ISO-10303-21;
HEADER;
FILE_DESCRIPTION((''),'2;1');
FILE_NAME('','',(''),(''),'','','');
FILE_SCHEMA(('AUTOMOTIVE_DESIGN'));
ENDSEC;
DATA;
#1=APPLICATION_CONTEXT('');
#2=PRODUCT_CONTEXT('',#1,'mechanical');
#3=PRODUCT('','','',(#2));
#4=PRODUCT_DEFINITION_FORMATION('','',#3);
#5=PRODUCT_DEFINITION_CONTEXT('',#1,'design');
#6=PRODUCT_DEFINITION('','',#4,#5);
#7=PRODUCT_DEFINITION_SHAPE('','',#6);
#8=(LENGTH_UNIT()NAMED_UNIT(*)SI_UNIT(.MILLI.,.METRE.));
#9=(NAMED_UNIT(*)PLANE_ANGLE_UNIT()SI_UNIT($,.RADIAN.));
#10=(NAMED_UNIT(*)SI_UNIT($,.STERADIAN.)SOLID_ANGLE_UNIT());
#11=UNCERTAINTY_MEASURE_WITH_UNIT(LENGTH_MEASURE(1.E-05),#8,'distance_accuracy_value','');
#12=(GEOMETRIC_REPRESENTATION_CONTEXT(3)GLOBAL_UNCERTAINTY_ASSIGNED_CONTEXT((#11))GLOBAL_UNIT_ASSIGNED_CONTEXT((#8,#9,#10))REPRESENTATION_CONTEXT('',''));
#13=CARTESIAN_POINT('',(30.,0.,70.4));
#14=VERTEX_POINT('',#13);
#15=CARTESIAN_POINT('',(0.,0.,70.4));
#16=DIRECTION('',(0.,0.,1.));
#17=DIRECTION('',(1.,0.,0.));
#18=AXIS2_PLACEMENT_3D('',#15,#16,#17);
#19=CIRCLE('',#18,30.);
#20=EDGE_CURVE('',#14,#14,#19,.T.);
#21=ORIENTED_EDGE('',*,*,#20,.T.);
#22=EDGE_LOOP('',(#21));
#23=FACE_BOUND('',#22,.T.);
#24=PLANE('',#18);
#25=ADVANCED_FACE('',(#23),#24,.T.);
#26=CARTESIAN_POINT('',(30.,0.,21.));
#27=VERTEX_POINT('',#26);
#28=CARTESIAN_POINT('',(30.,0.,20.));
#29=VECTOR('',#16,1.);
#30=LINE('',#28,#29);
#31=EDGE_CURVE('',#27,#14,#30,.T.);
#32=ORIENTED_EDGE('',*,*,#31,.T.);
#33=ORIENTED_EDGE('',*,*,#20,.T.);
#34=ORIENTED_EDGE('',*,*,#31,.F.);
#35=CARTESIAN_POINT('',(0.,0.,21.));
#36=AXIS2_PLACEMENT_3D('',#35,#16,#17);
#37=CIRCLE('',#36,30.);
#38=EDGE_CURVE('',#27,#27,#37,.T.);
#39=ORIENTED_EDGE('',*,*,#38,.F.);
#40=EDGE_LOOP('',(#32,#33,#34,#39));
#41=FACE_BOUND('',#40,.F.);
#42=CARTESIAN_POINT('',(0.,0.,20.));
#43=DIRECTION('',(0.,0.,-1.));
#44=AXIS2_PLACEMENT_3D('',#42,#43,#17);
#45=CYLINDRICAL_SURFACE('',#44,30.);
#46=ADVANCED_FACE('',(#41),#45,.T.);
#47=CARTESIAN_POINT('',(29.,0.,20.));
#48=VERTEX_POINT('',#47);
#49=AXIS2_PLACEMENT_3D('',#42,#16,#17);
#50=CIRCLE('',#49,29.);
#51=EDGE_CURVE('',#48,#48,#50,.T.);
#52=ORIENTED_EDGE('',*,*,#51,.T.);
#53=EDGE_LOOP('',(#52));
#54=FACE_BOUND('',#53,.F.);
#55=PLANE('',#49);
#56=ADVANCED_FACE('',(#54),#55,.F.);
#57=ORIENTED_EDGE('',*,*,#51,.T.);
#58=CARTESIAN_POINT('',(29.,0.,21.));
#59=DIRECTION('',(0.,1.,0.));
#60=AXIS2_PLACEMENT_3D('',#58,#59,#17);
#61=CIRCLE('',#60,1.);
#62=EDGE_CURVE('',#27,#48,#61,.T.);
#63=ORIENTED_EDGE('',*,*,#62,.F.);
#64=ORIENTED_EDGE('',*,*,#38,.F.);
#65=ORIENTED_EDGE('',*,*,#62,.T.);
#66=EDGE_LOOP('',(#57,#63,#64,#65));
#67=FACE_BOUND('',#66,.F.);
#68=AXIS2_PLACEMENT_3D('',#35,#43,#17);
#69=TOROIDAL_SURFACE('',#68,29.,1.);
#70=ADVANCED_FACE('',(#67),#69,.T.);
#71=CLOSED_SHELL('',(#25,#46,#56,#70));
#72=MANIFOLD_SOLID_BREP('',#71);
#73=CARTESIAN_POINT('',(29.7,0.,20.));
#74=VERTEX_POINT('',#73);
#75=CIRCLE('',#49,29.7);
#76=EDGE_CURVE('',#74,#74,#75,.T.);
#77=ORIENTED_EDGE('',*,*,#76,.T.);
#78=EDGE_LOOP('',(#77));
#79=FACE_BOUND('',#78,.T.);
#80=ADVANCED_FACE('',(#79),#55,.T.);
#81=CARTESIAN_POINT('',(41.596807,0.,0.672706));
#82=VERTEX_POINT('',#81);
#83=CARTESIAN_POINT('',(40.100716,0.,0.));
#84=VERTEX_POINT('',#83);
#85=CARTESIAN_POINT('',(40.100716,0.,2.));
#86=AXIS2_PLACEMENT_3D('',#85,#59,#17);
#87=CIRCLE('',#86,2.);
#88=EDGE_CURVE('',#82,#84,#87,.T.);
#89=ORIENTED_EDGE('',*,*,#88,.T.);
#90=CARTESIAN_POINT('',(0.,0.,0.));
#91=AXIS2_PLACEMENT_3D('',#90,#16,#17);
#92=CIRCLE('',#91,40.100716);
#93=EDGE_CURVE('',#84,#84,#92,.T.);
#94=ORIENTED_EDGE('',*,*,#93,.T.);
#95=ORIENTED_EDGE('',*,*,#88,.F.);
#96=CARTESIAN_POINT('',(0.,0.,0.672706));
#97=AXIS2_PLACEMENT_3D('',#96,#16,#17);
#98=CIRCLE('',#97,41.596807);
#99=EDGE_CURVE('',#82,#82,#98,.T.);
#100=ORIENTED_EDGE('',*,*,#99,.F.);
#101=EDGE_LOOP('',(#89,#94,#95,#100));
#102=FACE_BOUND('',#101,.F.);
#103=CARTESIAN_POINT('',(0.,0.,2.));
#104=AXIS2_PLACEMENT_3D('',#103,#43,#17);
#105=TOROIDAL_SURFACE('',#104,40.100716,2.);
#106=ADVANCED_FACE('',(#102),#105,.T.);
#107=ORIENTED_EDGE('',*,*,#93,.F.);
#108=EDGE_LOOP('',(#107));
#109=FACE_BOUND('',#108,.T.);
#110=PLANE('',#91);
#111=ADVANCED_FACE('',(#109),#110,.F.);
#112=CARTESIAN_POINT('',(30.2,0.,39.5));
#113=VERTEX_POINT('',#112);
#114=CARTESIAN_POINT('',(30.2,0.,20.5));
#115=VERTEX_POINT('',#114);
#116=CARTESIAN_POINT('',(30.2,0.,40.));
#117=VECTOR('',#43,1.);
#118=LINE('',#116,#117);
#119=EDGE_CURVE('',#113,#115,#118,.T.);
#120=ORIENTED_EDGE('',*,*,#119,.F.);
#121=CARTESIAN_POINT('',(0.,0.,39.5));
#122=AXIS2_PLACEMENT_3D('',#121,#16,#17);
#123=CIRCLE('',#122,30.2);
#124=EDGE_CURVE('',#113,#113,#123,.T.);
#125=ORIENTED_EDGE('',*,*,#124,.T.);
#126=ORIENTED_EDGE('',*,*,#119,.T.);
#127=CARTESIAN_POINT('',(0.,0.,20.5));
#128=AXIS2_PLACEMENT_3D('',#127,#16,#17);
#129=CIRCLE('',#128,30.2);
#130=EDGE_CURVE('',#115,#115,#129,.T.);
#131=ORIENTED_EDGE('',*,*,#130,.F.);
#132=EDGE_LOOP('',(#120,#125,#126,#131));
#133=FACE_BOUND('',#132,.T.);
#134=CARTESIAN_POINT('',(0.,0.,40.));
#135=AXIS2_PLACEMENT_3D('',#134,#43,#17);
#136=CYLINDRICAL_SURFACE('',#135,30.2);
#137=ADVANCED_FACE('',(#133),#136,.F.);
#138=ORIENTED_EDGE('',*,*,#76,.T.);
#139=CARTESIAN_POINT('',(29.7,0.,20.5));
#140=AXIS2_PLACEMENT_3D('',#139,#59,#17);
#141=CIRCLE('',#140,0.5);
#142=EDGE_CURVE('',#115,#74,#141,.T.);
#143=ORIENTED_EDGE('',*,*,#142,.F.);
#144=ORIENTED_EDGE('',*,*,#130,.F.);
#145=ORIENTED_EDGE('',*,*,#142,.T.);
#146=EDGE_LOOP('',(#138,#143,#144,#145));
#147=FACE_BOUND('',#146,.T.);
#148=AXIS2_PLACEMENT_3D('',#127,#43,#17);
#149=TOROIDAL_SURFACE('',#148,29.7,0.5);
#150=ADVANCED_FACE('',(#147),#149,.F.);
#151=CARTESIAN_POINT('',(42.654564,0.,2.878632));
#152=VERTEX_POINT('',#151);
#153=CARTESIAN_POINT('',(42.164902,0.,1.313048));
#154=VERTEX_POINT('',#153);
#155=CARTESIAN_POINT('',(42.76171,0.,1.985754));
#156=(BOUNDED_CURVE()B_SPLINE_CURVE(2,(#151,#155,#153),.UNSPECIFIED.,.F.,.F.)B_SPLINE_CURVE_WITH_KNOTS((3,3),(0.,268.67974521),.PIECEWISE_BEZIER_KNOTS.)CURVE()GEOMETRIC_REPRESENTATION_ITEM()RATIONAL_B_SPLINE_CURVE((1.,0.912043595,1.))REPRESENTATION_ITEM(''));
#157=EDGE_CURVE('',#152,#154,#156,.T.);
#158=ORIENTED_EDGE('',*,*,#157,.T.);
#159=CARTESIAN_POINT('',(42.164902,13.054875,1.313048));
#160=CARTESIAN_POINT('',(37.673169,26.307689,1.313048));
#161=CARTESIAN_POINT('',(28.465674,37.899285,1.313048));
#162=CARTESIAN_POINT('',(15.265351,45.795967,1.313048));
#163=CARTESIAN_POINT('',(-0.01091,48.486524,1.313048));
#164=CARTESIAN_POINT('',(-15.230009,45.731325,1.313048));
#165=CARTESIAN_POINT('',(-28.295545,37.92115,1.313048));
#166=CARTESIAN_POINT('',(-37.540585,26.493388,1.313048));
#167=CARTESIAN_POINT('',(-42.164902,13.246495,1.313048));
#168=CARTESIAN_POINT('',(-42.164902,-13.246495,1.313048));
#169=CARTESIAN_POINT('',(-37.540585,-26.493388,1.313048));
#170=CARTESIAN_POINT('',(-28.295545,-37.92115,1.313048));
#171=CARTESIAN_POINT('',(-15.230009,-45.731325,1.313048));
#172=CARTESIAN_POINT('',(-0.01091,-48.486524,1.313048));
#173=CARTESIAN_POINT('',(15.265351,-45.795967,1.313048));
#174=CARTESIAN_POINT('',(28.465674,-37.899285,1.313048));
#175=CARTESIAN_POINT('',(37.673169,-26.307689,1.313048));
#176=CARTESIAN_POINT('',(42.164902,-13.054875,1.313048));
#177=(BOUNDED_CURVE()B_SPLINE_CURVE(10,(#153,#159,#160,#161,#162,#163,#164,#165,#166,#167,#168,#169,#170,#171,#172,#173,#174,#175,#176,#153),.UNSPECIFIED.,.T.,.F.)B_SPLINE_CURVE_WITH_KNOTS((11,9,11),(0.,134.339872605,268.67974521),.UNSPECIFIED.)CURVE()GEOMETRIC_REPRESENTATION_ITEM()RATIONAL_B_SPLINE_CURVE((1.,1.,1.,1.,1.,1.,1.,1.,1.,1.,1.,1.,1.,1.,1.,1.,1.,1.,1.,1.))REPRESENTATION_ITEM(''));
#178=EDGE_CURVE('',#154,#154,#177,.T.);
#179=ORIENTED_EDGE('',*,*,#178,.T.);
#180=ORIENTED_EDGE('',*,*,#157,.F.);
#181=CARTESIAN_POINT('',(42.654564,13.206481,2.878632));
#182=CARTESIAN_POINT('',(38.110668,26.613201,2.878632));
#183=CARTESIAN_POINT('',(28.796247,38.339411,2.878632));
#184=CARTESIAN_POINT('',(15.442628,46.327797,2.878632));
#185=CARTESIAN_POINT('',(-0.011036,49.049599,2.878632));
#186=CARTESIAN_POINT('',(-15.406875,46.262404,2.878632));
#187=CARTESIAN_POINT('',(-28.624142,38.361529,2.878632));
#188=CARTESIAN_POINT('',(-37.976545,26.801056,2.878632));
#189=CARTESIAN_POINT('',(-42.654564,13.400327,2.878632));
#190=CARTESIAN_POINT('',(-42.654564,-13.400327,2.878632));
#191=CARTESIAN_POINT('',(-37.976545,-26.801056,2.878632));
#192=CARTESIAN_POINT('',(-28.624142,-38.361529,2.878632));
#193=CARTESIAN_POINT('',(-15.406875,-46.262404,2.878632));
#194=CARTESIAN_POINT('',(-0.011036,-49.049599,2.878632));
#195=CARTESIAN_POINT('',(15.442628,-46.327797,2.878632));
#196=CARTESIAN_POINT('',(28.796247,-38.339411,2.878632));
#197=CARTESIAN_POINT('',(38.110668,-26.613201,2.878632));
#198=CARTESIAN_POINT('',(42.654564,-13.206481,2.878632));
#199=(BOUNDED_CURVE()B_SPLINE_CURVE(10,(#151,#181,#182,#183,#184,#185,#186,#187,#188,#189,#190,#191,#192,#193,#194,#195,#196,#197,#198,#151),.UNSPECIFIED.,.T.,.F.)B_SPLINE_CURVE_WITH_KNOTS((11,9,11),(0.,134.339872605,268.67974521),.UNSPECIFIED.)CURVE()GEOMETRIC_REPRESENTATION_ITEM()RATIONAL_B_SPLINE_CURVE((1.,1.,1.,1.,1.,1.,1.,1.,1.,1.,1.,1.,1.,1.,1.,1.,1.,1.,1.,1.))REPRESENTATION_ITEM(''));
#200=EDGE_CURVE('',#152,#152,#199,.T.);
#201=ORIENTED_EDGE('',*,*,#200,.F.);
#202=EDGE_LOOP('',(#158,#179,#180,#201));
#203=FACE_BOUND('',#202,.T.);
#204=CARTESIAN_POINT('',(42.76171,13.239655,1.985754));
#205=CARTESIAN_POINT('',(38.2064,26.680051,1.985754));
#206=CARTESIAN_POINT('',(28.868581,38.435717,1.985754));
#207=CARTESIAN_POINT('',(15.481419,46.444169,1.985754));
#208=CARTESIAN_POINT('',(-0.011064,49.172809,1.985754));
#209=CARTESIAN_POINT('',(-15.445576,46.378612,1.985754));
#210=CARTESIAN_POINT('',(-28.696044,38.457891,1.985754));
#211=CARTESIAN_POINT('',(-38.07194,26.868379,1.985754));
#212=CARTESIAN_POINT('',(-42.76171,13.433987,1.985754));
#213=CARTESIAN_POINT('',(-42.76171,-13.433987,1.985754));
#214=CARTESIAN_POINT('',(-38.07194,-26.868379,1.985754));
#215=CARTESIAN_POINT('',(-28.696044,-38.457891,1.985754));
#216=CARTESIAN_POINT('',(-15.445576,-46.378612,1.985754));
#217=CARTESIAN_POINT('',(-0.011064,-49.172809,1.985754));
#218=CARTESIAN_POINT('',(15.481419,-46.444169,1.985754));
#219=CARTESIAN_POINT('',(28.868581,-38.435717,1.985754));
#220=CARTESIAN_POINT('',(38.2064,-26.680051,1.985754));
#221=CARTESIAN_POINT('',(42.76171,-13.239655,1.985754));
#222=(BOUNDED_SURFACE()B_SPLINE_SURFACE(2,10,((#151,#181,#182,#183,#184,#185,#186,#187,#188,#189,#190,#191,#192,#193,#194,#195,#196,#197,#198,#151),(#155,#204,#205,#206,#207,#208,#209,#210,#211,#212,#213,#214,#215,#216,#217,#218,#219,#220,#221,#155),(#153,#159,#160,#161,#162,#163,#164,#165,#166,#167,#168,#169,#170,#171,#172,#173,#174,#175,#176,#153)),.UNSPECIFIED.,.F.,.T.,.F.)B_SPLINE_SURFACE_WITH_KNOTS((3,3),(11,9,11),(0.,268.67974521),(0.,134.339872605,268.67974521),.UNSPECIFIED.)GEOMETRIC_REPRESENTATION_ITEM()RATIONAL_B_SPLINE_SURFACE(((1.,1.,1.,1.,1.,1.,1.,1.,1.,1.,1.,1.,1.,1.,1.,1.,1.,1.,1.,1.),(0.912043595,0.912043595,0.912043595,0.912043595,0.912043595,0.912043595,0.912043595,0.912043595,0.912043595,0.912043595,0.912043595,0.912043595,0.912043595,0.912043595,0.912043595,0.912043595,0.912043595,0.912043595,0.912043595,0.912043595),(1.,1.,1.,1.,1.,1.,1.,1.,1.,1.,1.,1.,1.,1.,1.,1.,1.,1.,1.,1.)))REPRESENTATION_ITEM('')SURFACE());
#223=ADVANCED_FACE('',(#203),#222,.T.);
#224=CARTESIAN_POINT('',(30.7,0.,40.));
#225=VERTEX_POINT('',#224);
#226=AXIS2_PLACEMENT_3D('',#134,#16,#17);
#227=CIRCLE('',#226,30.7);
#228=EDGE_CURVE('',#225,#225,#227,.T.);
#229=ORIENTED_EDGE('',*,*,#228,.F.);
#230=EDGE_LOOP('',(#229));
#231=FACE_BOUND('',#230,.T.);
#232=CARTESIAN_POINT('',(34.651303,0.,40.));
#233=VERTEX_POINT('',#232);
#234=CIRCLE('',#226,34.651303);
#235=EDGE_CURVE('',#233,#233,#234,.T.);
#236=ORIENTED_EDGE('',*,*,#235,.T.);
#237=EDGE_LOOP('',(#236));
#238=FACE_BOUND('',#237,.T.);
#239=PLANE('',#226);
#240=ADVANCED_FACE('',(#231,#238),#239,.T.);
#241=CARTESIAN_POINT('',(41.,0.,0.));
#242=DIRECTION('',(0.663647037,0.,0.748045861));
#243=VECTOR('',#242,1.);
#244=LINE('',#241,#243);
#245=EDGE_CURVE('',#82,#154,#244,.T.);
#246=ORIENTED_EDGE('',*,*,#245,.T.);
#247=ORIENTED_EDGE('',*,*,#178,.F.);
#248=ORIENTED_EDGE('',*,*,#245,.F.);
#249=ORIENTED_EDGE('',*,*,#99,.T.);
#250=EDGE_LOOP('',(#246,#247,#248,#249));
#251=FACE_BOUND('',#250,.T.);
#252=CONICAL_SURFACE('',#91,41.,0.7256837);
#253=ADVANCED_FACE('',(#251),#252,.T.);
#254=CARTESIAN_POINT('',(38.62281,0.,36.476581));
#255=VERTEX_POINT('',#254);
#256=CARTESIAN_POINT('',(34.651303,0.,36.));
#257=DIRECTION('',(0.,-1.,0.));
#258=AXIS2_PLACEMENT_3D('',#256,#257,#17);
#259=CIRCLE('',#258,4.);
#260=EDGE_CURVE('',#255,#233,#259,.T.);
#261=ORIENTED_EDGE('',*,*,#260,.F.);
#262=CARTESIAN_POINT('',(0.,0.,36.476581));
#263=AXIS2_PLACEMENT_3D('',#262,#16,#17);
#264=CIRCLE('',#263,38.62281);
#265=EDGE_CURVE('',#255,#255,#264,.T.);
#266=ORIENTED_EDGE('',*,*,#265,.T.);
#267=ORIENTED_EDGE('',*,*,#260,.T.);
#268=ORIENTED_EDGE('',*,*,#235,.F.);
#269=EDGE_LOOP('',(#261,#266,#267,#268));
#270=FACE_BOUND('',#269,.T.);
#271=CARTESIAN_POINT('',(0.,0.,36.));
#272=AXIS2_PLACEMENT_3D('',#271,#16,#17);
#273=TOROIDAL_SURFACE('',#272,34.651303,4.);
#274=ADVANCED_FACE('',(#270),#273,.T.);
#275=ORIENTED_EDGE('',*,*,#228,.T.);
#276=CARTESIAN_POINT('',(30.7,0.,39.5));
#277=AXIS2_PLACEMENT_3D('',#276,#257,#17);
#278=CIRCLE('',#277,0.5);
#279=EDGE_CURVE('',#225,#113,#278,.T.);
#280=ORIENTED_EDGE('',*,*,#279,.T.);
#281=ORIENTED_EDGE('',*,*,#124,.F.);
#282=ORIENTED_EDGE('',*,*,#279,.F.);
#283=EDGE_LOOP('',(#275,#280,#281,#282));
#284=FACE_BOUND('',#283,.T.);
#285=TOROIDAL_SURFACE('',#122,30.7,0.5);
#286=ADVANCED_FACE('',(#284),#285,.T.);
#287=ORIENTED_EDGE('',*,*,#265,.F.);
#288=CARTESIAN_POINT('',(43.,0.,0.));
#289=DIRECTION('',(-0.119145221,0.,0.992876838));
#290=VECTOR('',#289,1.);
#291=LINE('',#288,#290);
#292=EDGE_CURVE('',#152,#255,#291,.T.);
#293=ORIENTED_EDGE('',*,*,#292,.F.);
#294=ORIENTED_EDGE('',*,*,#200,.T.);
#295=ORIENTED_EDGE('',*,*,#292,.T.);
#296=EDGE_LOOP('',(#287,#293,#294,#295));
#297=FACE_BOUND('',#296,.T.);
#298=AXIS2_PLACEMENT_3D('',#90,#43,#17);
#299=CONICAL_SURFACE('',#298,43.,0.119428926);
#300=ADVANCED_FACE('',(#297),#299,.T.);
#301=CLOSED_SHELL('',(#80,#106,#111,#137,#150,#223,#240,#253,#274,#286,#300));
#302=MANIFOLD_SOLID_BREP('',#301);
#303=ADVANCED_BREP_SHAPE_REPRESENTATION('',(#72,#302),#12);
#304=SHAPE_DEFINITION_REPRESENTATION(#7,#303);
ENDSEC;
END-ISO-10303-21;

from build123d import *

# Parameters (mm, degrees)
F2_SIZE  = 2
F3_R     = 0.5
F4_R     = 2
F5_R     = 4
F7_START = 20
F6_R     = 30
F7_DEPTH = 50.4
F8_R     = 1
F9_R     = 0.5


with BuildPart() as f1:
    # F0 (on Front) → F1 (revolve)
    with BuildSketch(Plane.XZ):
        Polygon((0, 20), (0, 0), (43, 0), (38.2, 40), (30.2, 40), (30.2, 20), align=None)
    revolve(axis=Axis((0, 0, 10), (0, 0, 1)))

    # F2
    f2_edges = [f1.edges().sort_by_distance(p)[0] for p in [
        (-43, 0, 0),
    ]]
    chamfer(f2_edges, length=F2_SIZE)

    # F3
    f3_edges = [f1.edges().sort_by_distance(p)[0] for p in [
        (-30.2, 0, 20),
    ]]
    fillet(f3_edges, radius=F3_R)

    # F4
    f4_edges = [f1.edges().sort_by_distance(p)[0] for p in [
        (-42.76171, 0, 1.985754),
        (-41, 0, 0),
    ]]
    fillet(f4_edges, radius=F4_R)

    # F5
    f5_edges = [f1.edges().sort_by_distance(p)[0] for p in [
        (-38.2, 0, 40),
    ]]
    fillet(f5_edges, radius=F5_R)

    # F9
    f9_edges = [f1.edges().sort_by_distance(p)[0] for p in [
        (-30.2, 0, 40),
    ]]
    fillet(f9_edges, radius=F9_R)


with BuildPart() as f7:
    # F6 (on Top) → F7 (new body)
    with BuildSketch(Plane.XY.offset(F7_START)):
        Circle(F6_R)
    extrude(amount=F7_DEPTH)

    # F8
    f8_edges = [f7.edges().sort_by_distance(p)[0] for p in [
        (-30, 0, 20),
    ]]
    fillet(f8_edges, radius=F8_R)


solid = Compound([f1.part, f7.part])
